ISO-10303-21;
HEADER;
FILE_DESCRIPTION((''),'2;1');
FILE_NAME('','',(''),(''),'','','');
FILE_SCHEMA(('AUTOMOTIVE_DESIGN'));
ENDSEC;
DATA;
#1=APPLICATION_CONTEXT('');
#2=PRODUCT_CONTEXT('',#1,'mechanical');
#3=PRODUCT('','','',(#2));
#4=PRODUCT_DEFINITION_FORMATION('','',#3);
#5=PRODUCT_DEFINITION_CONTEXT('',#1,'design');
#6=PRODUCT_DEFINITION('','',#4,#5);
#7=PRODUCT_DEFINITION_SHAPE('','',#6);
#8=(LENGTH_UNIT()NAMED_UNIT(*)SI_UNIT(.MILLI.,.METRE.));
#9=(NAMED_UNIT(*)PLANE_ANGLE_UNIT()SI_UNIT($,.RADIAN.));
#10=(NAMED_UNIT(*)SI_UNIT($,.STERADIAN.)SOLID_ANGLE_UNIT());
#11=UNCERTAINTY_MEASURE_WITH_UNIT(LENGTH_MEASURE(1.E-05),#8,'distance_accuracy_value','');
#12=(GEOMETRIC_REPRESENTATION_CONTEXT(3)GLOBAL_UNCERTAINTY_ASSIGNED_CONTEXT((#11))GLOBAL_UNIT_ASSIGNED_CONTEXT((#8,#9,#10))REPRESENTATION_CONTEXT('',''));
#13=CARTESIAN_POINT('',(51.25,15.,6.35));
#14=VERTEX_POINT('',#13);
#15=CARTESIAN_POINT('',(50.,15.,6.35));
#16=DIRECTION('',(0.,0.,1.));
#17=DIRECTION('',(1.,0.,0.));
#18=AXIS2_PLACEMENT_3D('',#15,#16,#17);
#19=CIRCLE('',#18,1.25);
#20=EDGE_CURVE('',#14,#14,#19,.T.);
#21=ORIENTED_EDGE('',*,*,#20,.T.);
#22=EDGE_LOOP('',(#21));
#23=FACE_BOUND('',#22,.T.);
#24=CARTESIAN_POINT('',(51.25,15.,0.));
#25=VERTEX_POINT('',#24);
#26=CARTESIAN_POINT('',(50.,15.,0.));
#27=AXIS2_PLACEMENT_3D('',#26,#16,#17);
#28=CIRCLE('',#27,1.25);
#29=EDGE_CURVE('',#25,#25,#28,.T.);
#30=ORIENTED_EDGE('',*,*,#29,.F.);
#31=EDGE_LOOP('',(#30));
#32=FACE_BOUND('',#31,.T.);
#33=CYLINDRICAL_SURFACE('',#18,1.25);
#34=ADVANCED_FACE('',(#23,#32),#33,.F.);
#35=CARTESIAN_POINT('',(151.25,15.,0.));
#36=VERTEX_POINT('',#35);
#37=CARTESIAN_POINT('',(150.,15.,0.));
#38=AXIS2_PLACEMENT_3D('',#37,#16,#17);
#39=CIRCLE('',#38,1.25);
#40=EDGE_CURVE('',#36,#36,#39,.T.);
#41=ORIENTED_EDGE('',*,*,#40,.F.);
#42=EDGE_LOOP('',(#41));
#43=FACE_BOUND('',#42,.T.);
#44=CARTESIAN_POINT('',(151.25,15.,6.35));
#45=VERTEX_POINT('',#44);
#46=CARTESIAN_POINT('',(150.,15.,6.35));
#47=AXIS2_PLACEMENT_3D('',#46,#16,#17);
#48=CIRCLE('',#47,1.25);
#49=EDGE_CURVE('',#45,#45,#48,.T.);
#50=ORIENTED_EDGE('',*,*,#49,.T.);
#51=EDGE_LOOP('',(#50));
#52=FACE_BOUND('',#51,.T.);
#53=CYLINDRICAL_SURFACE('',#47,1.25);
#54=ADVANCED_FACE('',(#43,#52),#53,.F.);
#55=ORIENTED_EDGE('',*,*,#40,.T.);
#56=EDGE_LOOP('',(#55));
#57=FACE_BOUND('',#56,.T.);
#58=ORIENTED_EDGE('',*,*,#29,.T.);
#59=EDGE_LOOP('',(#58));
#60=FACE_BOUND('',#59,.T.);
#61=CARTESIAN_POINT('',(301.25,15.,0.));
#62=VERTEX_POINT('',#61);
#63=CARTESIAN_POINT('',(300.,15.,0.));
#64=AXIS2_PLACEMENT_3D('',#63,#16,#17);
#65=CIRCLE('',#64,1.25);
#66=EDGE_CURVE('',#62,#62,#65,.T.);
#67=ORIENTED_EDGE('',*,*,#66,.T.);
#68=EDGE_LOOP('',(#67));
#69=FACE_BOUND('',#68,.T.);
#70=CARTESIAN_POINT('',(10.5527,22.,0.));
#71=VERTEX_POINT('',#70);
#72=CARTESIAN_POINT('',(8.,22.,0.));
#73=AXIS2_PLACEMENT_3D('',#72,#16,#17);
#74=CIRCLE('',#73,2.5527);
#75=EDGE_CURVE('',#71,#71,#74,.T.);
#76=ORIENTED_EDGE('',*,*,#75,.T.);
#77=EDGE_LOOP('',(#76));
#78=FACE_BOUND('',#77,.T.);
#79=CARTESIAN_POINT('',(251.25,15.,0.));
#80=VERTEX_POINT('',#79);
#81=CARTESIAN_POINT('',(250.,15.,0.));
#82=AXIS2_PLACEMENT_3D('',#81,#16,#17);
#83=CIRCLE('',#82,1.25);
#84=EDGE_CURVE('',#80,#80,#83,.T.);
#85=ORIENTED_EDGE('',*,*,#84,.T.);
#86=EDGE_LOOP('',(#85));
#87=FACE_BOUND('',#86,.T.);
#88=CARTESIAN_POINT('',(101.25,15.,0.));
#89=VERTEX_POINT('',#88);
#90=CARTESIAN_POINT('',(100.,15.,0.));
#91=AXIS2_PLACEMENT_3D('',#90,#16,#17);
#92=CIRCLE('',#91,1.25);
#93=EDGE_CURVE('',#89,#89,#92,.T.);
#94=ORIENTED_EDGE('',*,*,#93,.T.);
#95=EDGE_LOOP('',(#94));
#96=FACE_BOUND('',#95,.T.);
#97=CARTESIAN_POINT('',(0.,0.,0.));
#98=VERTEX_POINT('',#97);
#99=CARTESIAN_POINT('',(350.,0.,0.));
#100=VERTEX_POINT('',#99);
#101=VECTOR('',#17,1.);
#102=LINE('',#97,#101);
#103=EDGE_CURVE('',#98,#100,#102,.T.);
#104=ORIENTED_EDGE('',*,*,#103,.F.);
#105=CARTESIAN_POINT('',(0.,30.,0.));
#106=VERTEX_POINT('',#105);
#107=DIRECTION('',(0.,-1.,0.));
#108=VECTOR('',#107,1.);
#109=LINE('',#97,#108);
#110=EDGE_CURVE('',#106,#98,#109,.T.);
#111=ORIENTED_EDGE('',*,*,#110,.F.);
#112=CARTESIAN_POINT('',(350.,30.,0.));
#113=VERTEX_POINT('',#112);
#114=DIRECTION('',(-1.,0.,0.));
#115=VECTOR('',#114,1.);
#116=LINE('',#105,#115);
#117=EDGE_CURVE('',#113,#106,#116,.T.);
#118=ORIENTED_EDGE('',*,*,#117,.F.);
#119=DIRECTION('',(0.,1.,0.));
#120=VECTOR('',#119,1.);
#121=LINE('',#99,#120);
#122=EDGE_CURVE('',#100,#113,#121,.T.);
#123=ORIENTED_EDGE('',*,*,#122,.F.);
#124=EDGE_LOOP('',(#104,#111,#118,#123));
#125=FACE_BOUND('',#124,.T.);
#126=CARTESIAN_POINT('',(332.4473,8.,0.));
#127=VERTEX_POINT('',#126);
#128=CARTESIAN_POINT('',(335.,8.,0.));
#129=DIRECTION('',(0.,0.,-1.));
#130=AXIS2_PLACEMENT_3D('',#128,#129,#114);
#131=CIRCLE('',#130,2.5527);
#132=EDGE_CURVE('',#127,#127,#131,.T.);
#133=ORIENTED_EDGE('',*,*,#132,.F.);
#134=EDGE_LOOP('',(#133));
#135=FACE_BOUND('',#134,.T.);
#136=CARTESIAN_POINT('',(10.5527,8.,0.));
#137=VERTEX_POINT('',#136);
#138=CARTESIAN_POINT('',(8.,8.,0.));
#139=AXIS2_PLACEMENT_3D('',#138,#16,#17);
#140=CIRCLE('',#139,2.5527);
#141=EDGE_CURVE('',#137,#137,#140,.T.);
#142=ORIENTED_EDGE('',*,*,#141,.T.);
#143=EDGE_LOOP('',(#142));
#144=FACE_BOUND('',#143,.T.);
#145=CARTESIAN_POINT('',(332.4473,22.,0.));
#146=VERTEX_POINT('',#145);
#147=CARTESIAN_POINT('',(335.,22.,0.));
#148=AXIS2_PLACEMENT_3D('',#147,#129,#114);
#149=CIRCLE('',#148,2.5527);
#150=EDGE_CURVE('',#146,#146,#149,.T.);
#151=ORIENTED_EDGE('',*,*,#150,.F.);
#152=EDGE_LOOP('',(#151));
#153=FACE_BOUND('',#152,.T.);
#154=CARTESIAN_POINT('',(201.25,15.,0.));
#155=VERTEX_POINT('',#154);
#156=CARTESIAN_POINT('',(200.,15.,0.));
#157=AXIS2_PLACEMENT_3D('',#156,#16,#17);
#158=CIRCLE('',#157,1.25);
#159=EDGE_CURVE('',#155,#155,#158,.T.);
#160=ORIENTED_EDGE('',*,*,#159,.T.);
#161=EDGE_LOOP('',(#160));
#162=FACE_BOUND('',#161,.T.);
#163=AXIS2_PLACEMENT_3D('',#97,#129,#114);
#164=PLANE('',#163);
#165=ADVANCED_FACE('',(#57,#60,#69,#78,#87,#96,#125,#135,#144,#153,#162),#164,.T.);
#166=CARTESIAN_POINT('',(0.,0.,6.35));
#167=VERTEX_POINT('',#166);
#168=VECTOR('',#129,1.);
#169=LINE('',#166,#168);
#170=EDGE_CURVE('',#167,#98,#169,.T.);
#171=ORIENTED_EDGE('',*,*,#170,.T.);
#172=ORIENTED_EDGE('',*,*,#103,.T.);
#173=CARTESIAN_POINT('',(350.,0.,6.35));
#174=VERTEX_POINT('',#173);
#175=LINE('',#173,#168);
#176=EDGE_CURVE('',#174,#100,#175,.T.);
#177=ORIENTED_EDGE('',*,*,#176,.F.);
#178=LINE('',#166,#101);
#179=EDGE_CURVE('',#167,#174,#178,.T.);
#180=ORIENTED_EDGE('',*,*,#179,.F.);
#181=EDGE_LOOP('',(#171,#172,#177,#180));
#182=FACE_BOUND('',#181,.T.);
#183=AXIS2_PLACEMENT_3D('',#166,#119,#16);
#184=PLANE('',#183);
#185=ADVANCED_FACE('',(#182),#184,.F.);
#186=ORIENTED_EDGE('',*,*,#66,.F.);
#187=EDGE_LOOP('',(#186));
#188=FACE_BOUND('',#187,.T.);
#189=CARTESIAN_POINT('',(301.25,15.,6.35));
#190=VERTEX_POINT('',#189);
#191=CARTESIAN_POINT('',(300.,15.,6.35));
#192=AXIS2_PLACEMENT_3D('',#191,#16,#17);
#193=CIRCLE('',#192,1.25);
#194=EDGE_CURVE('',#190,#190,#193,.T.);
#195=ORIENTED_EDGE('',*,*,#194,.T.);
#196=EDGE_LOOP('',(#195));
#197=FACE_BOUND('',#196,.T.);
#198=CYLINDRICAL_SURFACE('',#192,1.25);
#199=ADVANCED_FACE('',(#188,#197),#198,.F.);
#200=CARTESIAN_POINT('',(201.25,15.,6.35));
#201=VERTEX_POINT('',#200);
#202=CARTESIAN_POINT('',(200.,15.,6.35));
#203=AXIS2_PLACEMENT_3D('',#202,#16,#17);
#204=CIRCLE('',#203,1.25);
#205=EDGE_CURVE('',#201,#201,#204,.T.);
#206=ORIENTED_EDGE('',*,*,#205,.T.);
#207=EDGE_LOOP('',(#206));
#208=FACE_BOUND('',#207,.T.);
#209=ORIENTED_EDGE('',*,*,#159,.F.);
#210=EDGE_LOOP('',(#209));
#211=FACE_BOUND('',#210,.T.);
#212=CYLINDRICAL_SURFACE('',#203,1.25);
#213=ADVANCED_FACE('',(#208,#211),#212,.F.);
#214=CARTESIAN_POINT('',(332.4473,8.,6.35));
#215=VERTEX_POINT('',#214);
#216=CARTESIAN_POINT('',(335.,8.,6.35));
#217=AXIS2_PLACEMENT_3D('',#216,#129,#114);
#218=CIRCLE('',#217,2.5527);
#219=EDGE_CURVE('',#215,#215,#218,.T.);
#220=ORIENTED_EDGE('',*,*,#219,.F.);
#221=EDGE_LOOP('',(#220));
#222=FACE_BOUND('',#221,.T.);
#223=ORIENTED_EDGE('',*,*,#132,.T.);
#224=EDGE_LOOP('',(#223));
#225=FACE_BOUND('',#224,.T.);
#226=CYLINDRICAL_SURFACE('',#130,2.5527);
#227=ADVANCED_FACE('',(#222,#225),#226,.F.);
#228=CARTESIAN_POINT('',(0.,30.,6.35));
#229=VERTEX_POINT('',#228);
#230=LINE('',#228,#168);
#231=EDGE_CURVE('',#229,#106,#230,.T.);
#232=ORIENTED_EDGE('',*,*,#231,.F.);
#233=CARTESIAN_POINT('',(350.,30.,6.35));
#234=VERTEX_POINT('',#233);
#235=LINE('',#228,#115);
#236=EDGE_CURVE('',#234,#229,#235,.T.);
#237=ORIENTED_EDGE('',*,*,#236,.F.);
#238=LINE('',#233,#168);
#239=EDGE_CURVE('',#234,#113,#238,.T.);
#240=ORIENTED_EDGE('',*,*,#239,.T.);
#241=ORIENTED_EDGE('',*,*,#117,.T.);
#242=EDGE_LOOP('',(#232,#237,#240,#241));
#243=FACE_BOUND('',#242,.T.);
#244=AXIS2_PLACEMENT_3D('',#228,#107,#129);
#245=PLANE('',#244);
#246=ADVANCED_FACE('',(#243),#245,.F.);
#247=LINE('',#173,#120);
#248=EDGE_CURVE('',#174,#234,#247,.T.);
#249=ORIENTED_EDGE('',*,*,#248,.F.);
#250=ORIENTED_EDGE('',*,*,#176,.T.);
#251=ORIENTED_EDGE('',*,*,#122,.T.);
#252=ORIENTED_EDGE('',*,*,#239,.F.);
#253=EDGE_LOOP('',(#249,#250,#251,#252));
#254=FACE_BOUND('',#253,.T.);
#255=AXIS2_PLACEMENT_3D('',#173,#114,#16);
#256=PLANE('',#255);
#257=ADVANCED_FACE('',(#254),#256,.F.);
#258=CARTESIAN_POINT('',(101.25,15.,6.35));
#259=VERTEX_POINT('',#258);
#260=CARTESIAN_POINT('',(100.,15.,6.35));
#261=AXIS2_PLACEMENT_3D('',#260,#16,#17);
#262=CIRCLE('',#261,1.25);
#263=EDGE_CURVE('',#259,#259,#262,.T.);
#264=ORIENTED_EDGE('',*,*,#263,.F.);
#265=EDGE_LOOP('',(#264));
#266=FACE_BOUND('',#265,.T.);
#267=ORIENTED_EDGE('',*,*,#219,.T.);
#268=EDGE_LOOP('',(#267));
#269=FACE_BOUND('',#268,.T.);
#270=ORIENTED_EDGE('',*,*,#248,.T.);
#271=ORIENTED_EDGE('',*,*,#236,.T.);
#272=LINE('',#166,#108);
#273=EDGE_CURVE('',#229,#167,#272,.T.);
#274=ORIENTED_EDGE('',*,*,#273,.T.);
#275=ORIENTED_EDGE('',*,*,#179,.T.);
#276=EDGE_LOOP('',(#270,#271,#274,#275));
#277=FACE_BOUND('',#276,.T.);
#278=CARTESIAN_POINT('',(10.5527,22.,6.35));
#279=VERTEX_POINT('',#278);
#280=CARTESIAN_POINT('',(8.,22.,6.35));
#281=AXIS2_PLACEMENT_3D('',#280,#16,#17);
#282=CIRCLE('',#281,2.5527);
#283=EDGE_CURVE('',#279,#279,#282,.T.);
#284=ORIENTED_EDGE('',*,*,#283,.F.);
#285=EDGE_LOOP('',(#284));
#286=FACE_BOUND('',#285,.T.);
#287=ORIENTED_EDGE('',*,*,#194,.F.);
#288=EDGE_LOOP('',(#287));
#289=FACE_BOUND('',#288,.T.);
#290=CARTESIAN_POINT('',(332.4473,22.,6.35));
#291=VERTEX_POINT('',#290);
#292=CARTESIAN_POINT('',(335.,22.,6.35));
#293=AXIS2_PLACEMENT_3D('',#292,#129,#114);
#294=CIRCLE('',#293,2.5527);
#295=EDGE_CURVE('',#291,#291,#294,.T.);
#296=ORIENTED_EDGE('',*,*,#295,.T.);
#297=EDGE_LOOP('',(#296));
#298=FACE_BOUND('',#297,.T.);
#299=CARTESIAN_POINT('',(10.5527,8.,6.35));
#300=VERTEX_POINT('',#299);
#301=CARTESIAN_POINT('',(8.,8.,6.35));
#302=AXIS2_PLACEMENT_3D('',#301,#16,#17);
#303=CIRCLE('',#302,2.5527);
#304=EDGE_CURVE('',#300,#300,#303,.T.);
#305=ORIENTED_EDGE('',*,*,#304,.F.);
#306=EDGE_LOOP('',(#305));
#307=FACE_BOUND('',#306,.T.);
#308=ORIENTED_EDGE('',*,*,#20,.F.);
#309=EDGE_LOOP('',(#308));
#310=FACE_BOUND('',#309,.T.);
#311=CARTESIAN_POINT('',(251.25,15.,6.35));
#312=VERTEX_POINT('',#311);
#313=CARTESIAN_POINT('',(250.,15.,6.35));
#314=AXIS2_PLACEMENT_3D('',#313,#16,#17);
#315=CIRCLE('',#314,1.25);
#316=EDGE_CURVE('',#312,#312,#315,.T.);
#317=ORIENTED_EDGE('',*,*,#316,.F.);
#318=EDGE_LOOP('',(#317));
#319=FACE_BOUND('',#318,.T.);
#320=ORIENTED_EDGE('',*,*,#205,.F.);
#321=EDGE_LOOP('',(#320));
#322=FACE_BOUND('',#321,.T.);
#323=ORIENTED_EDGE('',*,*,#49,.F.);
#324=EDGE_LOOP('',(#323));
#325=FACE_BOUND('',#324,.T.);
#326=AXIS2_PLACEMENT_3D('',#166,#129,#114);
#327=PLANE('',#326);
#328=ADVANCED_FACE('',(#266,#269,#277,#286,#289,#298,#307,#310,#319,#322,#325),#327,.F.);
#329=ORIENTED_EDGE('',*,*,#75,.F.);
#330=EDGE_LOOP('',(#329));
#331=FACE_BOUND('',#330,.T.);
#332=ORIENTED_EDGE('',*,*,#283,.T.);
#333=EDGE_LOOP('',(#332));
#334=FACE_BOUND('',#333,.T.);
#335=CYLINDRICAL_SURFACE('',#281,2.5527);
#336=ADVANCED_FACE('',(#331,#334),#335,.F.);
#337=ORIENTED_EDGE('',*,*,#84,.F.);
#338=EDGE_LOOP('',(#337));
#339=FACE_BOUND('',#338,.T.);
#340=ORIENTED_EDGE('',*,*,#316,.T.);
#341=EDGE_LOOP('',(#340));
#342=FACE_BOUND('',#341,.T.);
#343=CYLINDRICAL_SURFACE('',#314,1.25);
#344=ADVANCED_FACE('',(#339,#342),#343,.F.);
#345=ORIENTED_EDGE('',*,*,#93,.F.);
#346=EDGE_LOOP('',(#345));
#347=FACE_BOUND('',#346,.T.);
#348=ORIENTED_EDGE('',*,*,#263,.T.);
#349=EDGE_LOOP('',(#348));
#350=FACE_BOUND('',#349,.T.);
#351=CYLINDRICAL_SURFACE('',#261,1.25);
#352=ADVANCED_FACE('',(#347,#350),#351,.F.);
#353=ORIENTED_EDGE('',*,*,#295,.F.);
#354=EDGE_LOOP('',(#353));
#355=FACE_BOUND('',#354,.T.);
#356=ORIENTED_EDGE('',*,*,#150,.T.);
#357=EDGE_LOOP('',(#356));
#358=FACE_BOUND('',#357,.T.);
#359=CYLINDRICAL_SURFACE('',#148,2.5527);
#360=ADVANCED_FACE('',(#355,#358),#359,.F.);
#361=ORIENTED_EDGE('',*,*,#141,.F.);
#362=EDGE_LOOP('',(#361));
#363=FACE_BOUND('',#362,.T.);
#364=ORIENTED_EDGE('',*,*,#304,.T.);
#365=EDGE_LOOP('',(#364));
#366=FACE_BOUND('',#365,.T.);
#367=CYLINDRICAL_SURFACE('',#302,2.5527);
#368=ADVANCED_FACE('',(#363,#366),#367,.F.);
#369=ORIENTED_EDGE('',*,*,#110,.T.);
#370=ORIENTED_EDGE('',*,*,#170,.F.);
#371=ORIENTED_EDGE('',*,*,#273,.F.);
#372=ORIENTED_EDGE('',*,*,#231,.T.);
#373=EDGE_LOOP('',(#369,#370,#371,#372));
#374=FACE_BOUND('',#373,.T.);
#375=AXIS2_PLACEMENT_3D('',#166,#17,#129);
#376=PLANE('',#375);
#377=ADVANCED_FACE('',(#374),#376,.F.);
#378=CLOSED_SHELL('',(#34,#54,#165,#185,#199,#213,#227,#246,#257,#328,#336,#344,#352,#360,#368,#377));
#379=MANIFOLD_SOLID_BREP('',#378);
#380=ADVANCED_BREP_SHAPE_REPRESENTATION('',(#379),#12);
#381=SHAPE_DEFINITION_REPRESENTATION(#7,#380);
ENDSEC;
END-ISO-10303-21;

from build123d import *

# Parameters (mm, degrees)
SKETCH2_W                   = 350
SKETCH2_H                   = 30
BOSS_EXTRUDE1_DEPTH         = 6.35
TAP_DRILL_FOR_1_4_20_TAP2_D = 5.1054
TAP_DRILL_FOR_M3X0_5_TAP1_D = 2.5
LPATTERN1_COUNT             = 6
LPATTERN1_PITCH             = 50
TAP_DRILL_FOR_1_4_20_TAP1_D = 5.1054


with BuildPart() as part:
    # Sketch2 → Boss-Extrude1 (new body)
    with BuildSketch(Plane.XY):
        with Locations((175, 15)):
            Rectangle(SKETCH2_W, SKETCH2_H)
    extrude(amount=BOSS_EXTRUDE1_DEPTH)

    # Tap Drill for 1/4-20 Tap2 (through all)
    with Locations(Plane.XY.offset(6.35)):
        with Locations((8, 22), (8, 8)):
            Hole(TAP_DRILL_FOR_1_4_20_TAP2_D / 2)

    # Tap Drill for M3x0.5 Tap1 (through all)
    with Locations(Plane.XY.offset(6.35)):
        with Locations((50, 15)):
            tap_drill_for_m3x0_5_tap1 = Hole(TAP_DRILL_FOR_M3X0_5_TAP1_D / 2)

    # LPattern1: Tap Drill for M3x0.5 Tap1 ×6
    with Locations(*[(i * LPATTERN1_PITCH, 0, 0) for i in range(1, LPATTERN1_COUNT)]):
        add(tap_drill_for_m3x0_5_tap1, mode=Mode.SUBTRACT)

    # Tap Drill for 1/4-20 Tap1 (through all)
    with Locations(Plane(origin=(0, 0, 0), x_dir=(-1, 0, 0), z_dir=(0, 0, -1))):
        with Locations((-335, 22), (-335, 8)):
            Hole(TAP_DRILL_FOR_1_4_20_TAP1_D / 2)


solid = part.part
